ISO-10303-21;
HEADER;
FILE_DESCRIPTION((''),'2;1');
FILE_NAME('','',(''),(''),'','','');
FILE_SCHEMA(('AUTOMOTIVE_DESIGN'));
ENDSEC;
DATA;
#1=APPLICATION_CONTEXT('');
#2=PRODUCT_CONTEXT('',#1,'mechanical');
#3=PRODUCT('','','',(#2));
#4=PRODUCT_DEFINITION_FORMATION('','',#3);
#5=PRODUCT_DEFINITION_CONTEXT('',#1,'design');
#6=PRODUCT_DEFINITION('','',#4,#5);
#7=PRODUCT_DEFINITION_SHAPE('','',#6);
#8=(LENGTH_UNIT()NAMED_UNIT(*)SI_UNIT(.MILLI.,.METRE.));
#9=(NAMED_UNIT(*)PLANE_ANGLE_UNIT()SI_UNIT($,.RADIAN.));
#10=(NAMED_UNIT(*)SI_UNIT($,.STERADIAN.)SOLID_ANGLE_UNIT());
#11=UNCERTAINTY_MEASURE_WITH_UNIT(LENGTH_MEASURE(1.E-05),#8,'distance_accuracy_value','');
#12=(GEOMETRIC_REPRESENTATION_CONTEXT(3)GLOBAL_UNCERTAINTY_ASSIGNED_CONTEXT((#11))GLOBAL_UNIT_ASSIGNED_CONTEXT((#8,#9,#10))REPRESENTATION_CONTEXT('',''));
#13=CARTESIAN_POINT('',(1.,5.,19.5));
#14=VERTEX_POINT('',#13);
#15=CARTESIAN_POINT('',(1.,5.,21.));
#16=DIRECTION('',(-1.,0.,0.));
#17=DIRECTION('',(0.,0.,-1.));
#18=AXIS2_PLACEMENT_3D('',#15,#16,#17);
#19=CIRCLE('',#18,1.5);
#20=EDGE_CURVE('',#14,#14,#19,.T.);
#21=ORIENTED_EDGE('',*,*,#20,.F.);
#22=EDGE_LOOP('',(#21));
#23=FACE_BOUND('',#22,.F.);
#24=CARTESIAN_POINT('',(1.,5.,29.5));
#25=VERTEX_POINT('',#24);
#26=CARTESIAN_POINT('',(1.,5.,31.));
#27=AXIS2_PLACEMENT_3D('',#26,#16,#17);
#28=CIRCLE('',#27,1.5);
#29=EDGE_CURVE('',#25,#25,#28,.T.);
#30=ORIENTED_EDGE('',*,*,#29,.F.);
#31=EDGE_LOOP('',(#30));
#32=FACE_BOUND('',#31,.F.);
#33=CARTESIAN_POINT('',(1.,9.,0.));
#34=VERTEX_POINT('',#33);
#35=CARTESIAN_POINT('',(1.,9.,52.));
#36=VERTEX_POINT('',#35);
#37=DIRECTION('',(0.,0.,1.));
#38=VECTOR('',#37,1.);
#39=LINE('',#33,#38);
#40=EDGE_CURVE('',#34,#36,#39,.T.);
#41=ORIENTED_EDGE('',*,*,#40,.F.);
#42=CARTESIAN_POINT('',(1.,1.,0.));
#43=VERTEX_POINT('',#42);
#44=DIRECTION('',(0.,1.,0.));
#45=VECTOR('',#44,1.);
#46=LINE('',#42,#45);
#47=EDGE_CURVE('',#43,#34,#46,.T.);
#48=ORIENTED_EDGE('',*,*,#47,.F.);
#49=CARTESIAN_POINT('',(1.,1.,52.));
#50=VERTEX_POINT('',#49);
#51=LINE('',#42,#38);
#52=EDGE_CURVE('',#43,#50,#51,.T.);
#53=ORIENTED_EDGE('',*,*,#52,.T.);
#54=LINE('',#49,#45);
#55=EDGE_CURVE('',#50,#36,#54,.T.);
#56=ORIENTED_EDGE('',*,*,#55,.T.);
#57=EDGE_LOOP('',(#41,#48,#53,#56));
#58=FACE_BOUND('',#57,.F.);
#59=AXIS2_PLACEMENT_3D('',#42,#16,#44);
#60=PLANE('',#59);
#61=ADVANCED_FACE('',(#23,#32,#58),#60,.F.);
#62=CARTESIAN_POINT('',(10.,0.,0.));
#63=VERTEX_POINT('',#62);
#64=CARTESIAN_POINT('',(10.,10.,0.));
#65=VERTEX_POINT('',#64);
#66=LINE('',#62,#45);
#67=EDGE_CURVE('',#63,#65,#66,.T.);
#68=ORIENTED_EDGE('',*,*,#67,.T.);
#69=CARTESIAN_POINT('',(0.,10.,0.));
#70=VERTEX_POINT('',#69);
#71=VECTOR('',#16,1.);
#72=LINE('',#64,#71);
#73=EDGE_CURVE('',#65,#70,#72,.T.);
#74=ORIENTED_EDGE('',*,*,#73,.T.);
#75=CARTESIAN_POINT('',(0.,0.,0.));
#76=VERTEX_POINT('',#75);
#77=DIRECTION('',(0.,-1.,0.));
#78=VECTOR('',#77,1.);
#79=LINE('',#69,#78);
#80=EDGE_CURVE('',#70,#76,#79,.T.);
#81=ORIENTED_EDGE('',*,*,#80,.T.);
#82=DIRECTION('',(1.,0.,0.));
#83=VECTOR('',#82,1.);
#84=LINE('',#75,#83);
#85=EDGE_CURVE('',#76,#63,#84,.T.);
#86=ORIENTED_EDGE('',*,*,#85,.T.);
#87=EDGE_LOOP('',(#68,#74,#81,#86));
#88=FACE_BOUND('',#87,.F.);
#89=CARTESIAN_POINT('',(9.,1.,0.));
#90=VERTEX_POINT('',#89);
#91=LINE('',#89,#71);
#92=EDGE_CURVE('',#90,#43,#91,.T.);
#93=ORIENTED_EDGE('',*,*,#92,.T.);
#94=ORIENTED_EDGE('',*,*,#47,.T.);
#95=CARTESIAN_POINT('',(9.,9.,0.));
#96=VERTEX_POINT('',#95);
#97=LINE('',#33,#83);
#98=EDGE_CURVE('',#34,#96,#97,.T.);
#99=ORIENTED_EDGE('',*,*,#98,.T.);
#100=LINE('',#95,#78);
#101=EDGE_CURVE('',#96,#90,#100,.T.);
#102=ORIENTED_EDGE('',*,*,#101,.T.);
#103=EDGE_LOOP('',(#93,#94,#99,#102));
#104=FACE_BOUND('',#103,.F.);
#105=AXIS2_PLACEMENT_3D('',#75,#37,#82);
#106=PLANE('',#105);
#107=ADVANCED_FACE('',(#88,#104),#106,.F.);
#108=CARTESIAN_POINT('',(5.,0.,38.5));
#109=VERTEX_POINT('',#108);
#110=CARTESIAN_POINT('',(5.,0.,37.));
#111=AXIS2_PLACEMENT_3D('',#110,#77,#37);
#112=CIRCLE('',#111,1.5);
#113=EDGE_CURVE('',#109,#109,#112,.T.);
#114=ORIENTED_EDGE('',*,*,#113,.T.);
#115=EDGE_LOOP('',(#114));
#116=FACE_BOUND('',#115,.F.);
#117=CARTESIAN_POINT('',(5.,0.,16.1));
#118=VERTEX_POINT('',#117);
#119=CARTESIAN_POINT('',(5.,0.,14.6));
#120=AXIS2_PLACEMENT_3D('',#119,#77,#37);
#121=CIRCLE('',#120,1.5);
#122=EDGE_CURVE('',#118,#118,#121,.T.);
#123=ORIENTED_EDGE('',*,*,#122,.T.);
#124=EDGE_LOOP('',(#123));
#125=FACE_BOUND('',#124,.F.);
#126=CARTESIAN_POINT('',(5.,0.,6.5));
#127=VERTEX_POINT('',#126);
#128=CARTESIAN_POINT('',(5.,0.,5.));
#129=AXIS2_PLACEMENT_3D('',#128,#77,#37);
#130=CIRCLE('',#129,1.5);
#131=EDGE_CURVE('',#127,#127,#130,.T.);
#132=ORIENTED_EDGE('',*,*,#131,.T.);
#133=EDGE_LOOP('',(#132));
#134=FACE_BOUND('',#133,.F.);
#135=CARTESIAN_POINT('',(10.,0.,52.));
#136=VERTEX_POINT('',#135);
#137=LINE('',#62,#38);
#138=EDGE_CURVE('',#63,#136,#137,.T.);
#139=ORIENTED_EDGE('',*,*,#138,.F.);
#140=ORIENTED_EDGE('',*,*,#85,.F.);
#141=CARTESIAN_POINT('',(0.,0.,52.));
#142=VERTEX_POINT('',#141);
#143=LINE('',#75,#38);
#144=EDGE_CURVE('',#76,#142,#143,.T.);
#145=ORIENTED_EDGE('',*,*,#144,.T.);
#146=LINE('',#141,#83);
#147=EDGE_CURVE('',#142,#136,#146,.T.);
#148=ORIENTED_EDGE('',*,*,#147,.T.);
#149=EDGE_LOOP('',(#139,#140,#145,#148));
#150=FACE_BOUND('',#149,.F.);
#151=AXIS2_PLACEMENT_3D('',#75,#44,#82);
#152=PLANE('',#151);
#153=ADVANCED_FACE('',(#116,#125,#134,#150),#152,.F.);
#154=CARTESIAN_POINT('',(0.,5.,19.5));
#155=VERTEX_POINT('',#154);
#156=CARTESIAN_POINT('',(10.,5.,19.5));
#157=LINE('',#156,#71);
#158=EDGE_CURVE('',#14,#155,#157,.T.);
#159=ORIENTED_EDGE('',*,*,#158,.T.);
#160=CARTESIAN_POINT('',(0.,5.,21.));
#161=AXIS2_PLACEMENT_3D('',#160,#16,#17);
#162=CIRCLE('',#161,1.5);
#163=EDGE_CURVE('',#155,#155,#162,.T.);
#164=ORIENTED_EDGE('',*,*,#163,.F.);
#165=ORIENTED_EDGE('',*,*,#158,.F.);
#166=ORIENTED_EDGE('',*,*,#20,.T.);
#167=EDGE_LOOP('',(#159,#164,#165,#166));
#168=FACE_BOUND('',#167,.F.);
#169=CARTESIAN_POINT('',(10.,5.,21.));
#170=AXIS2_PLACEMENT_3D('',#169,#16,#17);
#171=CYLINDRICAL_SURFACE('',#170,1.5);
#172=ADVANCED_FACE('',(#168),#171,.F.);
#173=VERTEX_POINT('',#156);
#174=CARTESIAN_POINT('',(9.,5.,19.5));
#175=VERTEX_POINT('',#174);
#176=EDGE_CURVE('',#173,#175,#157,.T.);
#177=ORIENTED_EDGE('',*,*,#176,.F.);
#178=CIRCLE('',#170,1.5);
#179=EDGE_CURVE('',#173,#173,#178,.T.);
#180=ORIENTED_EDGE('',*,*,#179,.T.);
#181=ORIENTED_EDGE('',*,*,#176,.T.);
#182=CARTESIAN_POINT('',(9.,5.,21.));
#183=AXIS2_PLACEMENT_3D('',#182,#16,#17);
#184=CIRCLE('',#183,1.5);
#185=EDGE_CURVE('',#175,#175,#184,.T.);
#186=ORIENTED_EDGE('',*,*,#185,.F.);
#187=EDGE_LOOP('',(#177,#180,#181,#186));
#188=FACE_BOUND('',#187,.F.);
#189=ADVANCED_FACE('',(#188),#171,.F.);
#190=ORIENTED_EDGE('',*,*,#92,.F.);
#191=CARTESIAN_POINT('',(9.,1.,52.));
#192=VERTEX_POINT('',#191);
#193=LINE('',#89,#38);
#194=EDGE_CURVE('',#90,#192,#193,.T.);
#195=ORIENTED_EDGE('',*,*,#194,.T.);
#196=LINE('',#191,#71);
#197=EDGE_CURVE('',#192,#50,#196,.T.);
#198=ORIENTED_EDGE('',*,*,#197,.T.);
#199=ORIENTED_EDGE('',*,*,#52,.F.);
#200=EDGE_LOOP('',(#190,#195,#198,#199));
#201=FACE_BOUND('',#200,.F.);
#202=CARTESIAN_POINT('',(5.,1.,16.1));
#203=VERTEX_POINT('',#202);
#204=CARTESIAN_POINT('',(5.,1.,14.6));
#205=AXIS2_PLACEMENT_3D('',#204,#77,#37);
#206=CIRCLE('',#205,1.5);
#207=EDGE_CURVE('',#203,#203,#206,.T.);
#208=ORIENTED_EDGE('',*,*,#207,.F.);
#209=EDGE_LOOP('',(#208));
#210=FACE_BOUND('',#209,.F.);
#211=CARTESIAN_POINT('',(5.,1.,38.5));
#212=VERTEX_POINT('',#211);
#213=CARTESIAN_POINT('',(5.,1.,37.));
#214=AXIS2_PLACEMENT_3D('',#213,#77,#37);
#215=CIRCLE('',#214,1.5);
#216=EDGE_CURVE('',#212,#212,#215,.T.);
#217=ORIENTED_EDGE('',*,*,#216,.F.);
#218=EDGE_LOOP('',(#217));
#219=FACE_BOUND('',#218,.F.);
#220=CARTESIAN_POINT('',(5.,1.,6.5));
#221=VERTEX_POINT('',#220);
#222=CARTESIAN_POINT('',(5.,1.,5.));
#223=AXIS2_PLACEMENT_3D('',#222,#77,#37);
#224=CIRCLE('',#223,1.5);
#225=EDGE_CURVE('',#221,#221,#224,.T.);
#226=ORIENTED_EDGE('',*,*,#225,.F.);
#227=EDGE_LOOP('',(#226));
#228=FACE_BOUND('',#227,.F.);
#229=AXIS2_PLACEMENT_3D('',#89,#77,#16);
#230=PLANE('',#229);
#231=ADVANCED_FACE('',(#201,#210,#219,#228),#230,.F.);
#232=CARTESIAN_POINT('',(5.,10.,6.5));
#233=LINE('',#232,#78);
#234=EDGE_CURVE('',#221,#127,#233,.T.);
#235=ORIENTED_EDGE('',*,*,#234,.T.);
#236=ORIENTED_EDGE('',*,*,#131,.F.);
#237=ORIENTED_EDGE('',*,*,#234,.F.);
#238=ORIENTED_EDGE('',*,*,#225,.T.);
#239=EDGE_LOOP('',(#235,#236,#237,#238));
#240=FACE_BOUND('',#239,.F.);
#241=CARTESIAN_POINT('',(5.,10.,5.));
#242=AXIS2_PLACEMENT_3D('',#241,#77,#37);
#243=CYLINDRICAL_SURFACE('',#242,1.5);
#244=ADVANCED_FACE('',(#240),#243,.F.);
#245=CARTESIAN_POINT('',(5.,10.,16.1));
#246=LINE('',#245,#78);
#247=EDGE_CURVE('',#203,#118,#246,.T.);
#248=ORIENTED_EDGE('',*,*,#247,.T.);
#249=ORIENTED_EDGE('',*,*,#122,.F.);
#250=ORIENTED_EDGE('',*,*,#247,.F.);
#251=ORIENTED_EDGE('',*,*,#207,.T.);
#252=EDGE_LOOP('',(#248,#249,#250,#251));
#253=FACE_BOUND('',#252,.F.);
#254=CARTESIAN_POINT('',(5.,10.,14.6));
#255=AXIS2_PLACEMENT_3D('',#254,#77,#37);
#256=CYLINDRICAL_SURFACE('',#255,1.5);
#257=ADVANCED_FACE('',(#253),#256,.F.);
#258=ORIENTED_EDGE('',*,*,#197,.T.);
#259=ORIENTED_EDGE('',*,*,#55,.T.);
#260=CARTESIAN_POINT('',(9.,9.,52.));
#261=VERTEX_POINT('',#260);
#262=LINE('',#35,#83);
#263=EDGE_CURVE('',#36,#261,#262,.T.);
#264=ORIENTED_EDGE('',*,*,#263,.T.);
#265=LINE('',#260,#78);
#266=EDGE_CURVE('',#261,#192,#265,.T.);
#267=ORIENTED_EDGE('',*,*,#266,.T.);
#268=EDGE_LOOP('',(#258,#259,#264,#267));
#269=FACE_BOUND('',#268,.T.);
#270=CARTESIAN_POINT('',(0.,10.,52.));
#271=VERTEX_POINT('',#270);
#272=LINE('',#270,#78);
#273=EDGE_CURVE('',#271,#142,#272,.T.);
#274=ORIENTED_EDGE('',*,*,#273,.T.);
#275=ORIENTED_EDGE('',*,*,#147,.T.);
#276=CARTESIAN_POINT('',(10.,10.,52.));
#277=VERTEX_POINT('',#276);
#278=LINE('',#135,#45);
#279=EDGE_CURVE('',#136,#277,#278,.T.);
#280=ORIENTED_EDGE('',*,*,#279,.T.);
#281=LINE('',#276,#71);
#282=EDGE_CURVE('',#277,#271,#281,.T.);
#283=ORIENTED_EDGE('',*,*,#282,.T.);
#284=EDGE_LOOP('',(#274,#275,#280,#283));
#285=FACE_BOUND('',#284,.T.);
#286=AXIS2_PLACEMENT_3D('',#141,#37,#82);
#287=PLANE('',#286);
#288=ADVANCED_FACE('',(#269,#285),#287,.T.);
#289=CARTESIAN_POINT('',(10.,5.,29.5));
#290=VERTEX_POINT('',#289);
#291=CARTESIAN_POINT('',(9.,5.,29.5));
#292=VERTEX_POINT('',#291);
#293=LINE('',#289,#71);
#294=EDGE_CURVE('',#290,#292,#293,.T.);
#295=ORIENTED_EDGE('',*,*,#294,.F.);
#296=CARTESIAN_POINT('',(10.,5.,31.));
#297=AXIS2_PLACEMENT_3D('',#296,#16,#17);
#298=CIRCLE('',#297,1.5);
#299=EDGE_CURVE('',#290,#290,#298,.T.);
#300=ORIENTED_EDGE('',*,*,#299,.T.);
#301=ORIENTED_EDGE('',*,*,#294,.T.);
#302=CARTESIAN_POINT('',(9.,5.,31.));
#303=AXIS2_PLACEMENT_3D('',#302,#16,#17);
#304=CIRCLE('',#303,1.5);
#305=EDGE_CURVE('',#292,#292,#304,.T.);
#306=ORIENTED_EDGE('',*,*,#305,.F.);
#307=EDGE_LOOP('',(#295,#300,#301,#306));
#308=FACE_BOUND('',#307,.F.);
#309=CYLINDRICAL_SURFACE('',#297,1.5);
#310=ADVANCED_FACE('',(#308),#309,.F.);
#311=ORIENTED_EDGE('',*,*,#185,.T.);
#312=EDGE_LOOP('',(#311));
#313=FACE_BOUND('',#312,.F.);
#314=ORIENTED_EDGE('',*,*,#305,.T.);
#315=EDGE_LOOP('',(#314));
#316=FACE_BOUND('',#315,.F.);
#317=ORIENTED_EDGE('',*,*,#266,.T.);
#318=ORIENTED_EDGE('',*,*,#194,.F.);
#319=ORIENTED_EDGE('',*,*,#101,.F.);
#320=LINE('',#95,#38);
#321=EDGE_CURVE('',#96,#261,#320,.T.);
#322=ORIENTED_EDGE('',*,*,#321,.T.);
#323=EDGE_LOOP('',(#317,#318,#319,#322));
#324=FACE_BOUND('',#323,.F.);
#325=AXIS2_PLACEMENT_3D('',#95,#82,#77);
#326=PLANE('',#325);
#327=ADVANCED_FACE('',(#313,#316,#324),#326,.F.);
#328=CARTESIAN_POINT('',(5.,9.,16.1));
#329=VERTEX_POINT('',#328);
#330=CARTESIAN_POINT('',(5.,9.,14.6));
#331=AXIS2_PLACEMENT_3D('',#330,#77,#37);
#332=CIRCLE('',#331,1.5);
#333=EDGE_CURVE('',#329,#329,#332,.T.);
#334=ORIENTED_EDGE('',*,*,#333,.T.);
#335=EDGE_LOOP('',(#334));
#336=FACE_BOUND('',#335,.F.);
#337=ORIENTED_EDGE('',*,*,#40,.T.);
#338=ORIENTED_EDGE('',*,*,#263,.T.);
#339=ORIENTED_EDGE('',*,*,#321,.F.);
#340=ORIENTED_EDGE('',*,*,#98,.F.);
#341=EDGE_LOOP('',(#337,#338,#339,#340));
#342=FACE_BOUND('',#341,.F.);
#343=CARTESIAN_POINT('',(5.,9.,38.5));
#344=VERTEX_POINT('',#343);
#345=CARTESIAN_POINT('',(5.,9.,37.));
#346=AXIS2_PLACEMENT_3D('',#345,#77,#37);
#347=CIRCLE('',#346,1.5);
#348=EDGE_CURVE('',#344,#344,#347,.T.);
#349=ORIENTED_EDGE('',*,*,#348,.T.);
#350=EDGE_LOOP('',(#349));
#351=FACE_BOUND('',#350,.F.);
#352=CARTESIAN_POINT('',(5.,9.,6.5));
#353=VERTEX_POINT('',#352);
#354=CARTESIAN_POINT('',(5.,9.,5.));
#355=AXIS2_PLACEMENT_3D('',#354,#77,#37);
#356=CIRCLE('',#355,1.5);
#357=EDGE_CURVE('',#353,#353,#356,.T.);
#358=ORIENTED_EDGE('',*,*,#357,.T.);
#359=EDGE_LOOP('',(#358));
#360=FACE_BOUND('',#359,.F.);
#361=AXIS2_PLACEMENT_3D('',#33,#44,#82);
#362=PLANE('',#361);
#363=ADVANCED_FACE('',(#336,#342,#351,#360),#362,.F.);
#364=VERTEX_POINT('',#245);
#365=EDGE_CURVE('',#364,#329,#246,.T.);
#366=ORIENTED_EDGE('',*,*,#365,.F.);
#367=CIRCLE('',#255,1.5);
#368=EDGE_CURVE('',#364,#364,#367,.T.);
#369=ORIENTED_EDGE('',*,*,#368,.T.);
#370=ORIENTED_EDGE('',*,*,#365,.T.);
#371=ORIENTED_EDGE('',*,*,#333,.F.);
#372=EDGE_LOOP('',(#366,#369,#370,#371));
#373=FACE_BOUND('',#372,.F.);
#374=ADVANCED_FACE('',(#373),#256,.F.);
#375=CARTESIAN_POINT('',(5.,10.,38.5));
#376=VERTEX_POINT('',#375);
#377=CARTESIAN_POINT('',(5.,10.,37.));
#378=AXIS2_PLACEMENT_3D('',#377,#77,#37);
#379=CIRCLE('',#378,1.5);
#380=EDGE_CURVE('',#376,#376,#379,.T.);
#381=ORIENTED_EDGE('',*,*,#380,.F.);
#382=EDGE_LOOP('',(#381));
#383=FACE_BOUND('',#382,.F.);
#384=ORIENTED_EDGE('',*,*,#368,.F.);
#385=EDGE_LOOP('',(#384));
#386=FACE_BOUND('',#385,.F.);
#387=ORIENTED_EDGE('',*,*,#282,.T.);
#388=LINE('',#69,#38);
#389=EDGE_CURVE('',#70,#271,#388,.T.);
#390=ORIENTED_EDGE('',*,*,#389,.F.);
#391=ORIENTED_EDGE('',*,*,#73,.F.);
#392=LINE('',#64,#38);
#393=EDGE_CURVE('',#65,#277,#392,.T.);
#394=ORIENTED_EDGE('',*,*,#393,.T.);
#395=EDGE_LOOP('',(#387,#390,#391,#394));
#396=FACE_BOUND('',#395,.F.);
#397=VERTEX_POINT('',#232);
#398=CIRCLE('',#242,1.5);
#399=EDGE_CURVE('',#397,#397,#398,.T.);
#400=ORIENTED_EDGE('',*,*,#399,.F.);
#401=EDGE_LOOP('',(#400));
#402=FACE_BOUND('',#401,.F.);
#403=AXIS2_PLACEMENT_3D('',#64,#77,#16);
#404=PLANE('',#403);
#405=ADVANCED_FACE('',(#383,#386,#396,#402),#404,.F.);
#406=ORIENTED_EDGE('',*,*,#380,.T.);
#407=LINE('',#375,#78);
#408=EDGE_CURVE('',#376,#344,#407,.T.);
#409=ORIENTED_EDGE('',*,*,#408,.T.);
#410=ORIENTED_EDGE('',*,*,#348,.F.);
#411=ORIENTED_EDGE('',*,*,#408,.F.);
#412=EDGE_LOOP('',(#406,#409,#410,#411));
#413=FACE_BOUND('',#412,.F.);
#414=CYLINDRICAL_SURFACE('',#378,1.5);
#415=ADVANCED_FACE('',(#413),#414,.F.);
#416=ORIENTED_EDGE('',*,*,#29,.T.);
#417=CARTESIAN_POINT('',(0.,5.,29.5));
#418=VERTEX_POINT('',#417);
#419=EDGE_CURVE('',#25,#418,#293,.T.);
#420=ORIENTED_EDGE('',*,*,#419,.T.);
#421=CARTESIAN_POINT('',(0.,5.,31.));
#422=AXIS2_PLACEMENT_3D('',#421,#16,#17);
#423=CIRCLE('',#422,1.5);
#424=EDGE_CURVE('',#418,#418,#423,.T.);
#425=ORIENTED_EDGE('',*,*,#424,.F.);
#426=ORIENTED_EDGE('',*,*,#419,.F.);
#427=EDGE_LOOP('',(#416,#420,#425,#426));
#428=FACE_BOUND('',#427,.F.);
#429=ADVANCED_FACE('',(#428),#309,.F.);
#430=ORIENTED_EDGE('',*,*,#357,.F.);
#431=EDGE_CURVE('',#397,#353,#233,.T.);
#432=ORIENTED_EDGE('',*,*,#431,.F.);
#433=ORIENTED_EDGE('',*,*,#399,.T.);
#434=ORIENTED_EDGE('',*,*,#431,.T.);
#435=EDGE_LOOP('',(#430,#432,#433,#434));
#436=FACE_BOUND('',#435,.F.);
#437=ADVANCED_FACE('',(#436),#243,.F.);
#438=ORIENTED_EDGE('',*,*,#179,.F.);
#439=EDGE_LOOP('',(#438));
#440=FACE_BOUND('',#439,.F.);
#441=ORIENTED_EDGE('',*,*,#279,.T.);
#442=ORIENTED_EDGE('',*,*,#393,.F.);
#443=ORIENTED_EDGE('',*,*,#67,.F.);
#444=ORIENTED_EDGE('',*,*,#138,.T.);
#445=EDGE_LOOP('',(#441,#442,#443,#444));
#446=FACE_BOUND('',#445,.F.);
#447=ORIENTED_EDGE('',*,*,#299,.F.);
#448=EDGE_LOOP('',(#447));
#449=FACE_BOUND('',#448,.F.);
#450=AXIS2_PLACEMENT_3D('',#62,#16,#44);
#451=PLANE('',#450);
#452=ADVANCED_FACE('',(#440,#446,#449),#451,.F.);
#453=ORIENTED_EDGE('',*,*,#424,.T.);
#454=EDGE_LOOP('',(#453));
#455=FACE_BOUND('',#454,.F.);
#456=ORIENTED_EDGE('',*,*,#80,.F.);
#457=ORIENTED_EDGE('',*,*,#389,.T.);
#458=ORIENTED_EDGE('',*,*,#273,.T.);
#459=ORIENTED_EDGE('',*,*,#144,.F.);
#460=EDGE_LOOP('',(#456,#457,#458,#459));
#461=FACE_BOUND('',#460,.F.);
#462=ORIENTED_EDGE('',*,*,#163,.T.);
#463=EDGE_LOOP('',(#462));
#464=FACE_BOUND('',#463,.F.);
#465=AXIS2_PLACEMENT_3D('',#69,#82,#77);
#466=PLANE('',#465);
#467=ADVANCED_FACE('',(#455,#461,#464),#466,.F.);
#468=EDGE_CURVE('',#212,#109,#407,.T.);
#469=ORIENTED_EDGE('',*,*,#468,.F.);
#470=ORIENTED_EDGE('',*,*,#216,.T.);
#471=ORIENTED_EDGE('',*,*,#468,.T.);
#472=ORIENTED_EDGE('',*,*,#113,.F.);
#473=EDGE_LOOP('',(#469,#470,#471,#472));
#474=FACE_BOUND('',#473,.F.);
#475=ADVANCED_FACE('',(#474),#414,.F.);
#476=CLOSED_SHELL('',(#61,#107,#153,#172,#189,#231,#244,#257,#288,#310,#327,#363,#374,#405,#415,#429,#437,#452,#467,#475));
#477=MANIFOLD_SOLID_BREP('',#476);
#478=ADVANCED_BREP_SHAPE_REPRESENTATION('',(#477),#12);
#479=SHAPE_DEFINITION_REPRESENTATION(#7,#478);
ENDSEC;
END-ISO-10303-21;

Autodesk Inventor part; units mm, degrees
ref_plane "YZ Plane" through (0, 0, 0) normal (1, 0, 0) x (0, 1, 0)
ref_plane "XZ Plane" through (0, 0, 0) normal (0, 1, 0) x (-1, 0, 0)
ref_plane "XY Plane" through (0, 0, 0) normal (0, 0, 1) x (1, 0, 0)
sketch "スケッチ1" plane through (0, 0, 0) normal (0, 0, 1) x (1, 0, 0)
  line L0 (0, 0) -> (10, 0)
  line L1 (10, 0) -> (10, 10)
  line L2 (10, 10) -> (0, 10)
  line L3 (0, 10) -> (0, 0)
  line L4 (1, 9) -> (9, 9)
  line L5 (9, 9) -> (9, 1)
  line L6 (9, 1) -> (1, 1)
  line L7 (1, 1) -> (1, 9)
  dimension "d0" = 10
  dimension "d1" = 10
  dimension "d2" = 1
extrude "押し出し1" add sketch "スケッチ1" along normal blind 52
sketch "スケッチ2" plane through (0, 10, 0) normal (0, 1, 0) x (1, 0, 0)
  line L0 (10, -52) -> (0, -52) projected
  line L1 (10, 0) -> (10, -52) projected
  line L2 (10, -26) -> (0, -26)
  line L3 (0, 0) -> (0, -52) projected
  point P0 (5, -37)
  point P1 (5, -14.6)
  point P2 (5, -5)
  dimension "d5" = 22.4
  dimension "d7" = 5
  dimension "d8" = 5
  dimension "d35" = 9.6
  dimension "d36" = 11
hole "穴1" at (5, 10, 37) at (5, 10, 14.6) at (5, 10, 5) direction (0, -1, 0) diameter 3 end through all
sketch "スケッチ3" plane through (10, 0, 0) normal (1, 0, 0) x (0, 0, -1)
  line L0 (0, 0) -> (-52, 0) projected
  line L1 (-52, 0) -> (-52, 10) projected
  line L2 (0, 0) -> (-52, 0) projected
  line L3 (-26, 0) -> (-26, 10)
  line L4 (0, 10) -> (-52, 10) projected
  point P0 (-31, 5)
  point P1 (-21, 5)
  dimension "d32" = 5
  dimension "d33" = 5
hole "穴2" at (10, 5, 31) at (10, 5, 21) direction (-1, 0, 0) diameter 3 end through all
sketch "スケッチ4" plane through (0, 10, 0) normal (0, 1, 0) x (1, 0, 0)
  line L0 (4.6245, -45.4744) -> (6.8253, -45.4744) construction
  line L1 (6.8253, -45.4744) -> (6.8253, -52.8345) construction
  line L2 (6.8253, -52.8345) -> (4.6245, -52.8345) construction
  line L3 (4.6245, -52.8345) -> (4.6245, -45.4744) construction
  point P0 (0, 0)
equation "\"d8\" = d7"
properties part number "finger_k_mk_2" material "アルミニウム 6061-AHC"
